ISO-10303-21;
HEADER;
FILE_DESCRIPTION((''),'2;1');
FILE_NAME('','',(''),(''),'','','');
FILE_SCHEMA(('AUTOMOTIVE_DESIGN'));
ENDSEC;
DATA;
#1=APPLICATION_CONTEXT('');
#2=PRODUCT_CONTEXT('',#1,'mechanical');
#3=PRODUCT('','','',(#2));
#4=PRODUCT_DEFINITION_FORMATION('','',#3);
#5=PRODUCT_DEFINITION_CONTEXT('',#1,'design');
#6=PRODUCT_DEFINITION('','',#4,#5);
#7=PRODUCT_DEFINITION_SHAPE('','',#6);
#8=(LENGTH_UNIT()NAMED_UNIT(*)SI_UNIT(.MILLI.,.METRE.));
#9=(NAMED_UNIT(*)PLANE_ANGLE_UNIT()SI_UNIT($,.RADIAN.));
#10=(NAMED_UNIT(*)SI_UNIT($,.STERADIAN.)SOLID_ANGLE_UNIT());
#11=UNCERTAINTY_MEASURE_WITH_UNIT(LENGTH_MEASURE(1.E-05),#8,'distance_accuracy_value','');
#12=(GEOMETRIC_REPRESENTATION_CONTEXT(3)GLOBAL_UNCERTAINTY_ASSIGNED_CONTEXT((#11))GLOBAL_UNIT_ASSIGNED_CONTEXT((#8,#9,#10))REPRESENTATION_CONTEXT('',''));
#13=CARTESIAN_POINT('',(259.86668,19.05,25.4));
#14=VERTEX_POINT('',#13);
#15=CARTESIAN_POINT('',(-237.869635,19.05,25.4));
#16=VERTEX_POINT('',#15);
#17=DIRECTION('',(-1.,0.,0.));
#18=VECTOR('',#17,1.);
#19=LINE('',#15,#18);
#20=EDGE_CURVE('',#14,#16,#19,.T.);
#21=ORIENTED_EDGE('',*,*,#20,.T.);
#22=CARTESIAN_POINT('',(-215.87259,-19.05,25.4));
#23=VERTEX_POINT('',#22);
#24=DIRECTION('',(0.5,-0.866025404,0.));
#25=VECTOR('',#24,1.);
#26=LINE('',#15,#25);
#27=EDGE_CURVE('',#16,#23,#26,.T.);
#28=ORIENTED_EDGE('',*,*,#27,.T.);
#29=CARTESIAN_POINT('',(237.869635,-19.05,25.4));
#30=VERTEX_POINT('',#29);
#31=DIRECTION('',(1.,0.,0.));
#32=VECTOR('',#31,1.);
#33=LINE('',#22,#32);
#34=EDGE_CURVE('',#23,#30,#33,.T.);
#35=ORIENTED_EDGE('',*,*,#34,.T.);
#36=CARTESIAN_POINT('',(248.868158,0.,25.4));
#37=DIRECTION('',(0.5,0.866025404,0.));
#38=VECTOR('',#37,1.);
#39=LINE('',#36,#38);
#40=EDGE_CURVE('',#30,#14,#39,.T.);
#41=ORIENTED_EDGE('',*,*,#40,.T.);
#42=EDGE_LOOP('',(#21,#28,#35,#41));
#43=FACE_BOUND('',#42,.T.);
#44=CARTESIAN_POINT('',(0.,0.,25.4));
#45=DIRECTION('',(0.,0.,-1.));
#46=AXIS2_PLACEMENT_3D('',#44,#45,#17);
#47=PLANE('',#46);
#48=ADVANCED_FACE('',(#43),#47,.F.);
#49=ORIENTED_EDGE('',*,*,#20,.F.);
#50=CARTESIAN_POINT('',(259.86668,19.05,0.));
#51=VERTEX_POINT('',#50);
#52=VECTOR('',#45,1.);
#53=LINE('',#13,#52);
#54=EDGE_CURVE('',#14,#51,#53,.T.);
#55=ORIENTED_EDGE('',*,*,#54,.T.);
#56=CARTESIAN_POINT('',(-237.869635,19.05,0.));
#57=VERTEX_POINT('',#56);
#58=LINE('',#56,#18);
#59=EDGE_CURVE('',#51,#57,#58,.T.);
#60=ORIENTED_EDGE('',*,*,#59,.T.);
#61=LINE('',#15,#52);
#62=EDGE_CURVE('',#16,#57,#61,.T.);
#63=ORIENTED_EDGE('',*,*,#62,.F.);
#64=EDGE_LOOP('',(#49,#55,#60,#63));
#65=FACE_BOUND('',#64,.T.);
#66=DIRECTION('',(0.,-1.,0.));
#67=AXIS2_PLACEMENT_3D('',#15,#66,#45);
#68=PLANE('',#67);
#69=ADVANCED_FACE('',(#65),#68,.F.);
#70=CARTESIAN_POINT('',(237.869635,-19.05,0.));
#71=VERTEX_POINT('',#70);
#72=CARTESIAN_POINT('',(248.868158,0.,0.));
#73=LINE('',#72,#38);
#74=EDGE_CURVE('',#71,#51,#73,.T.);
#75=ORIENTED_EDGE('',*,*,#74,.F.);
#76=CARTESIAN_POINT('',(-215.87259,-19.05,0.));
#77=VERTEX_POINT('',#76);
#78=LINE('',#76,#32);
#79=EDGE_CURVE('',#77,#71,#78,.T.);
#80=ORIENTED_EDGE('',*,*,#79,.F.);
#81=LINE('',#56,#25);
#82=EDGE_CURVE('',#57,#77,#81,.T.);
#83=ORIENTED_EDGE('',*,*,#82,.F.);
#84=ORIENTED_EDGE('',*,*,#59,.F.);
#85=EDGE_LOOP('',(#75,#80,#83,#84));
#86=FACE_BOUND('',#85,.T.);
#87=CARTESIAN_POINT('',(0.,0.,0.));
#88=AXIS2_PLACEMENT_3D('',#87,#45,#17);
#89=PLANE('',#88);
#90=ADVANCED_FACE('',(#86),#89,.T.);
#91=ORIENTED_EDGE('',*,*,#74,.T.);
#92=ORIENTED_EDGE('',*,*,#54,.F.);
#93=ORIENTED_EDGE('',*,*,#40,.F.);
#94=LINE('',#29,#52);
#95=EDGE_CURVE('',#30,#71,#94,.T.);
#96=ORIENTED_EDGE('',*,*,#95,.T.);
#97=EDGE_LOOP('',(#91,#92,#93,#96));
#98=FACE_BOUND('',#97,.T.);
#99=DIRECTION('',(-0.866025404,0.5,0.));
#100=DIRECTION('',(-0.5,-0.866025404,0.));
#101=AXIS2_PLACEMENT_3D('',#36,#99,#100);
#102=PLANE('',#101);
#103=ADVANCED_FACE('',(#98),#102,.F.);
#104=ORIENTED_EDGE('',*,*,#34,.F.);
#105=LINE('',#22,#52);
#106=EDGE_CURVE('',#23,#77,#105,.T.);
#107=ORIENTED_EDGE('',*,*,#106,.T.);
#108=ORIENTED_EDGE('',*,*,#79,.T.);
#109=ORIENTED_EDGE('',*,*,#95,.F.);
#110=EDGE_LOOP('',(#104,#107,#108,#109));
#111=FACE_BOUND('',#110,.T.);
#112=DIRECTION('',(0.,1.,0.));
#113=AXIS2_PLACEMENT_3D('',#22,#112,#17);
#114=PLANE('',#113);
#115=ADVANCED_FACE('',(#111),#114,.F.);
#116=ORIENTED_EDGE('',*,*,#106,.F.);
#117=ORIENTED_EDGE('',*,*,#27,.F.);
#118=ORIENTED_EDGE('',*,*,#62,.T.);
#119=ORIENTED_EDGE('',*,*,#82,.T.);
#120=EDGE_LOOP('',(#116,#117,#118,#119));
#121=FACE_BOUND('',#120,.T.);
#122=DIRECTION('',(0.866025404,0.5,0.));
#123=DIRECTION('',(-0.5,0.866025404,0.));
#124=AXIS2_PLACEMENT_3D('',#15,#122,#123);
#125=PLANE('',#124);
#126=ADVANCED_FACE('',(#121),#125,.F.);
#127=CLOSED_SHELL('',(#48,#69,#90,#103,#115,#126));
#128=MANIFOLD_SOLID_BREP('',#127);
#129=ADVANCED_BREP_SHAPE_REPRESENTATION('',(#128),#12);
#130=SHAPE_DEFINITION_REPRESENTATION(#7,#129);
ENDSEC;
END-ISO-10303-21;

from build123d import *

# Parameters (mm, degrees)
BOSS_EXTRUDE1_DEPTH = 25.4


with BuildPart() as part:
    # Sketch1 → Boss-Extrude1 (new body)
    with BuildSketch(Plane.XY):
        Polygon((248.868157838, 0), (237.86963521, -19.05), (-215.872589954, -19.05), (-237.86963521, 19.05), (259.866680466, 19.05), align=None)
    extrude(amount=BOSS_EXTRUDE1_DEPTH)


solid = part.part
